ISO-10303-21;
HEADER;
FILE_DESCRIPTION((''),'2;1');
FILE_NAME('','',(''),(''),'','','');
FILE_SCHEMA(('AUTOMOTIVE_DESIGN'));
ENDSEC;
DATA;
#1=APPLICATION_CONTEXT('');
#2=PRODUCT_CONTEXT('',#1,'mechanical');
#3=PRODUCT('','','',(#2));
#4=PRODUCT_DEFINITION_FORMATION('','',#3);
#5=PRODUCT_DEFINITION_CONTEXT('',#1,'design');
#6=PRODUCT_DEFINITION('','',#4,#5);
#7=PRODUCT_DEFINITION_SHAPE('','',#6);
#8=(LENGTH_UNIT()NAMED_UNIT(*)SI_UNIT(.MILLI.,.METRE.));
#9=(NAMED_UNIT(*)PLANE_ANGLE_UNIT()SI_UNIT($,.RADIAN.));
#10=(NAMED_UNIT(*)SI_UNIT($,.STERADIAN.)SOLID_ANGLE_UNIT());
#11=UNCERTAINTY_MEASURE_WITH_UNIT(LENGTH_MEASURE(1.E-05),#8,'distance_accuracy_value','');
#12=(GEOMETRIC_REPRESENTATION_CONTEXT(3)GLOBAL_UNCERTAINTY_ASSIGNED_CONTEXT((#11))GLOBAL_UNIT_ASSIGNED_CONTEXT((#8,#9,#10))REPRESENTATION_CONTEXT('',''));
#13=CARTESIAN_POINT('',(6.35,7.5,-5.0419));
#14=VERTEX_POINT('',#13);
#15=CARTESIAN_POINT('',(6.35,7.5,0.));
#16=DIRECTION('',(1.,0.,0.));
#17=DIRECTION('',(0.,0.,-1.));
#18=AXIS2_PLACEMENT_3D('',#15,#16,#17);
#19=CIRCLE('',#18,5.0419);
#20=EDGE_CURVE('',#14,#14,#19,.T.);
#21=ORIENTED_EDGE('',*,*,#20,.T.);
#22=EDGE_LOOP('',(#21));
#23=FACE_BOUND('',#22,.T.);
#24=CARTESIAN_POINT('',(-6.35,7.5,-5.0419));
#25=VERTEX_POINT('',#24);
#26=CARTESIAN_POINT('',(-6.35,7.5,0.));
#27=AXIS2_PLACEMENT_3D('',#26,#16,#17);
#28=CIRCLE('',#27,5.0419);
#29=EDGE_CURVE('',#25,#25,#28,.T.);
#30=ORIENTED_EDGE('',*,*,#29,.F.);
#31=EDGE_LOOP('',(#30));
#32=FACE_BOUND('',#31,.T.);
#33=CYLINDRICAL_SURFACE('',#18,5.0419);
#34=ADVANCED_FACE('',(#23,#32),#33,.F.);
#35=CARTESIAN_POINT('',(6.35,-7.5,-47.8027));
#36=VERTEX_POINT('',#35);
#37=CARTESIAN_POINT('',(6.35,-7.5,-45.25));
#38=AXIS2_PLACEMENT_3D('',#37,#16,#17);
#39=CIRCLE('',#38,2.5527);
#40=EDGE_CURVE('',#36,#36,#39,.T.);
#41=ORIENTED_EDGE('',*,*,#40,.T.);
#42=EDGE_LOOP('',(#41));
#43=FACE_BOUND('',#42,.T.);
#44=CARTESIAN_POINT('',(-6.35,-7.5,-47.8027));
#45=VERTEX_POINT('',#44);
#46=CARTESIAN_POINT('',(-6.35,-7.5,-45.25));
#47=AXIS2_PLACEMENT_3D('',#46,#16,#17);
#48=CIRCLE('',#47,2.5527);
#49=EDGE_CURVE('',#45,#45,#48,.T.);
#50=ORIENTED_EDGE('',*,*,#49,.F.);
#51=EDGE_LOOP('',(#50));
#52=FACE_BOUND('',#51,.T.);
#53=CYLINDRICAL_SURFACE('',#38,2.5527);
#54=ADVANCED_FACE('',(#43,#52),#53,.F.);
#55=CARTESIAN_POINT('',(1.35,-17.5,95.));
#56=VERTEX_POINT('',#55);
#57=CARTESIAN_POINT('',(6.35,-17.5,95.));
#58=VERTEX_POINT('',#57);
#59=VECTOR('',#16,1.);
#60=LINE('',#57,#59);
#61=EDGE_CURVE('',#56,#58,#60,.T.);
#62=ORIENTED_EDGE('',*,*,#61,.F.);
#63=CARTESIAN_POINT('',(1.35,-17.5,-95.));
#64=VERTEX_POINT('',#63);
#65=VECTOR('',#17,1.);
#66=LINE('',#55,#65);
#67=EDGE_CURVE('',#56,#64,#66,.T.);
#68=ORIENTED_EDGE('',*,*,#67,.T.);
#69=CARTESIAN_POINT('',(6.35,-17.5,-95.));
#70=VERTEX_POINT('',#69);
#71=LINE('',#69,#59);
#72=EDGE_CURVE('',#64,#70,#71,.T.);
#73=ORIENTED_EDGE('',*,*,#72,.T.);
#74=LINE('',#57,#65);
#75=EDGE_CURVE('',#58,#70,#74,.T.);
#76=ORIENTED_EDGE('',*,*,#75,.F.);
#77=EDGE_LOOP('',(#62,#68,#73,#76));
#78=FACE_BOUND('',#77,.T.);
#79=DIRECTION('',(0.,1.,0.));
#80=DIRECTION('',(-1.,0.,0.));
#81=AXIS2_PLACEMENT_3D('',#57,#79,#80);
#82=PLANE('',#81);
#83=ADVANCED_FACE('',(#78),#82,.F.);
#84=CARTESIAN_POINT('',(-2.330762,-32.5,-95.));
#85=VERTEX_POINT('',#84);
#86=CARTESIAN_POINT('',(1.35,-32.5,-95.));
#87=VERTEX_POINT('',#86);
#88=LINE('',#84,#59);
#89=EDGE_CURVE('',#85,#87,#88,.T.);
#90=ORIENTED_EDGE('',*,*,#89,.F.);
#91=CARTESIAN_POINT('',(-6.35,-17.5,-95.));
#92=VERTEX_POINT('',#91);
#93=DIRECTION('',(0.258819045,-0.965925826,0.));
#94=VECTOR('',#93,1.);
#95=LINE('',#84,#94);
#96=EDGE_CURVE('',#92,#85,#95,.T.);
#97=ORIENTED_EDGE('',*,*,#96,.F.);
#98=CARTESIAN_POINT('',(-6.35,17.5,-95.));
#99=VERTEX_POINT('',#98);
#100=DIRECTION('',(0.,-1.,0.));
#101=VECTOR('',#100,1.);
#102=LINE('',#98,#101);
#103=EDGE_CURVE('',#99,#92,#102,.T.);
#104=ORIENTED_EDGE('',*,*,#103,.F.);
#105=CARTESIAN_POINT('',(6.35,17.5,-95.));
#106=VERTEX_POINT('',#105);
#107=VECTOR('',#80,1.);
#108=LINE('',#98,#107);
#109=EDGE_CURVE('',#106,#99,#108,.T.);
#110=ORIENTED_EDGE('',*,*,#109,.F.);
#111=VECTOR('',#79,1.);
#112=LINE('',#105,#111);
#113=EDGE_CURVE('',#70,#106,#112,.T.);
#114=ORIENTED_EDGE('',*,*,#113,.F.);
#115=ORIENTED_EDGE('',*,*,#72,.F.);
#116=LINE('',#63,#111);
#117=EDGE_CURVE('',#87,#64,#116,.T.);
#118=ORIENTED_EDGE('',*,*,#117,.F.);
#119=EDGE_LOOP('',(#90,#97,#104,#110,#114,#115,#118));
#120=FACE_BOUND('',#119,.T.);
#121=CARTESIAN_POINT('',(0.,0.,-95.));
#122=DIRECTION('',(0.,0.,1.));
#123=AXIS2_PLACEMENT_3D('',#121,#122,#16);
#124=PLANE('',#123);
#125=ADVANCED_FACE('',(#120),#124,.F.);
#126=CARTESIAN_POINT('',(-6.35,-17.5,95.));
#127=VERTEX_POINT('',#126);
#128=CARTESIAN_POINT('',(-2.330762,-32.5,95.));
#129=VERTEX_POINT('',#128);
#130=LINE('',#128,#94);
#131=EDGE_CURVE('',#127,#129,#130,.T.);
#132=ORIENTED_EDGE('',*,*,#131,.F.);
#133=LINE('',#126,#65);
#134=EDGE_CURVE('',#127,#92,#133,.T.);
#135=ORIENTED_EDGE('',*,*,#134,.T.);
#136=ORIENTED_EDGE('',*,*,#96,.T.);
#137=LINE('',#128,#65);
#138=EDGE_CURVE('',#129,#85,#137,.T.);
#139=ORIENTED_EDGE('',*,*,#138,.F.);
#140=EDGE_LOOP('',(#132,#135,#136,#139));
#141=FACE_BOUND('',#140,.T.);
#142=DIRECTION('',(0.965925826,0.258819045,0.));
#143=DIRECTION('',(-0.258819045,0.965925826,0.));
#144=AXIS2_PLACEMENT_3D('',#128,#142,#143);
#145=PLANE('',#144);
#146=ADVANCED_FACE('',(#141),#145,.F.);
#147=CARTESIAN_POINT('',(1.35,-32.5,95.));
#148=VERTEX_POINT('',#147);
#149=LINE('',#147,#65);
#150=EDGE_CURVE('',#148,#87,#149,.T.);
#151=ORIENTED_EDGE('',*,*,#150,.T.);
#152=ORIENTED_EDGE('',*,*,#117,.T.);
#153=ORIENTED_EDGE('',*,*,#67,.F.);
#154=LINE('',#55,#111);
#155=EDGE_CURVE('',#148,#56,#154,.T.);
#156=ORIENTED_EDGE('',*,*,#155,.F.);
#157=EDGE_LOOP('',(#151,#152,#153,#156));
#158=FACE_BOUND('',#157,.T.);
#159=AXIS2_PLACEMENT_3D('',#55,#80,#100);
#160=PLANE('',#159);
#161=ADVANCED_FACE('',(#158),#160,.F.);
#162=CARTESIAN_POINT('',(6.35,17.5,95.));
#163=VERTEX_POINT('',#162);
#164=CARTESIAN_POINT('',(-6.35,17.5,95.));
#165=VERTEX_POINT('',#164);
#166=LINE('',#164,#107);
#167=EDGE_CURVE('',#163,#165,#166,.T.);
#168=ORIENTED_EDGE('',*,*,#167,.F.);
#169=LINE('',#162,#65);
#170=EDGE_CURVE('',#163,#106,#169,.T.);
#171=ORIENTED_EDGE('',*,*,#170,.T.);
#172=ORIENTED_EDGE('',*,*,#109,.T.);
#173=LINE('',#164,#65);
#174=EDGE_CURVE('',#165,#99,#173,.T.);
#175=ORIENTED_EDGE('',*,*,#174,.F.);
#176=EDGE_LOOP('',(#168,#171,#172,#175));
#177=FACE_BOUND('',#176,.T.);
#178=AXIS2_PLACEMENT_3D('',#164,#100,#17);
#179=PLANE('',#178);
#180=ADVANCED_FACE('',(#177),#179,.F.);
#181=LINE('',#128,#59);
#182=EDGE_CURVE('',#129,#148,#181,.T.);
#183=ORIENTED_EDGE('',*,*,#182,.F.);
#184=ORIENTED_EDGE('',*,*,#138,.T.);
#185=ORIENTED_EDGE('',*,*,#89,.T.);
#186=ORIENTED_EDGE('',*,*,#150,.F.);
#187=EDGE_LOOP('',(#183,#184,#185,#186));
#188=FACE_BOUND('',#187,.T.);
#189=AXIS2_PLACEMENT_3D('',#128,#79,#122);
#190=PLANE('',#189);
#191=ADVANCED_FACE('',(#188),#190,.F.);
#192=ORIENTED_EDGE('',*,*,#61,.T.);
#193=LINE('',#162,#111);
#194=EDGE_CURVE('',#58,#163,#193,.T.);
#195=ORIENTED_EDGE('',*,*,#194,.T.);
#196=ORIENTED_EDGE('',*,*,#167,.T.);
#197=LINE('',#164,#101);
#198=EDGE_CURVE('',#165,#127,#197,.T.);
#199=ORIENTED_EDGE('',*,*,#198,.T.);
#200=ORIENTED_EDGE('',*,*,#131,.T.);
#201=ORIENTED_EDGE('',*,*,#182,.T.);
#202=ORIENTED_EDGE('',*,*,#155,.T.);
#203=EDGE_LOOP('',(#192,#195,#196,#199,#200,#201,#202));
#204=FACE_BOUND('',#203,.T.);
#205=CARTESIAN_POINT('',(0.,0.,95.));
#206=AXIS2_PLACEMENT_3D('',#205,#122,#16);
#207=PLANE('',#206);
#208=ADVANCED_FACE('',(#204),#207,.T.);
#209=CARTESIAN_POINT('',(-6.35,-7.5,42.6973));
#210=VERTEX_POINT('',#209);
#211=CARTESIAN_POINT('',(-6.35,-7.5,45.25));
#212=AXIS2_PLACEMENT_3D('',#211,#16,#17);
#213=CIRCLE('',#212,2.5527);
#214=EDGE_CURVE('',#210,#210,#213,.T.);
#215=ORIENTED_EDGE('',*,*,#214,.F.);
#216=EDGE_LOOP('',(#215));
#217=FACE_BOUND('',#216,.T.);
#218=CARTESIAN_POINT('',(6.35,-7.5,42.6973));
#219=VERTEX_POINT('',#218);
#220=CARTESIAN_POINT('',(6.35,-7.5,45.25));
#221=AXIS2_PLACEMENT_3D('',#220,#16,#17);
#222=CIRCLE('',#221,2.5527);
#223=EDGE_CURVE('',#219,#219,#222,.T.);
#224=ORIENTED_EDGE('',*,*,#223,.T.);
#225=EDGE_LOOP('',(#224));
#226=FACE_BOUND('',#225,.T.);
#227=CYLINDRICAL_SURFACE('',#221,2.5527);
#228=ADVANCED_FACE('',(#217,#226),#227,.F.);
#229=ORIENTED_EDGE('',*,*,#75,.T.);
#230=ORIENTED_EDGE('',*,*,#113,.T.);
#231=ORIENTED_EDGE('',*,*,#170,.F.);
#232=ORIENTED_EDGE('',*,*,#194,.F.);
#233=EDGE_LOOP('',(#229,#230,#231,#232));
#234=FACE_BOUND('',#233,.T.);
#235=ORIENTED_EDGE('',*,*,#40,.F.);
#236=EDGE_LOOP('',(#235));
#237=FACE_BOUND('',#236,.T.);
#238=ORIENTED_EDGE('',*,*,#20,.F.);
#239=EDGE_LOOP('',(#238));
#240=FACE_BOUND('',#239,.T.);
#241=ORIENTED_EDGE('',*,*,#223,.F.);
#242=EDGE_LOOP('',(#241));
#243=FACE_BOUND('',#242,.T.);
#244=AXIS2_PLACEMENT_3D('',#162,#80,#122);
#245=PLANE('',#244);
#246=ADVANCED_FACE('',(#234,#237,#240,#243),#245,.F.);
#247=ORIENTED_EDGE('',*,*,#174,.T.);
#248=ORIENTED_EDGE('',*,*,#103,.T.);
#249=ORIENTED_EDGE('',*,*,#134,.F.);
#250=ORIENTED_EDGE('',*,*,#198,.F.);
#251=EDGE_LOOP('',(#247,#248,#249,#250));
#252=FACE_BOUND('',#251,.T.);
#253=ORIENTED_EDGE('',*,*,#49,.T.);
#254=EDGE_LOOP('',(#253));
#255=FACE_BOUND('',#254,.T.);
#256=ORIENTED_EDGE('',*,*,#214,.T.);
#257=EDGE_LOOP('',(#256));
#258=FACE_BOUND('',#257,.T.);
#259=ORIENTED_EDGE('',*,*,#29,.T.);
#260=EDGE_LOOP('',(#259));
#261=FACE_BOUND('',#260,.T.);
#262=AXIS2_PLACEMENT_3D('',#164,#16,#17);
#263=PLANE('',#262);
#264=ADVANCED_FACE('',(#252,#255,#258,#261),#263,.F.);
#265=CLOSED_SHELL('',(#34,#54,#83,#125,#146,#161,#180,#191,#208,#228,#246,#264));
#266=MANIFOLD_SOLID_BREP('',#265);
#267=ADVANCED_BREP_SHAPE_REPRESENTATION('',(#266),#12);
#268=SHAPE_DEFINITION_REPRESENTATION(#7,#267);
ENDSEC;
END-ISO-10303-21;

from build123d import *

# Parameters (mm, degrees)
SALIENTE_EXTRUIR1_DEPTH       = 95
TALADRO_ROSCADO_1_4_201_D     = 5.1054
TALADRO_DE_MARGEN_PARA_3_81_D = 10.0838


with BuildPart() as part:
    # Croquis1 → Saliente-Extruir1 (new, symmetric)
    with BuildSketch(Plane.XY):
        Polygon((6.35, -17.5), (1.35, -17.5), (1.35, -32.5), (-2.330762114, -32.5), (-6.35, -17.5), (-6.35, 17.5), (6.35, 17.5), align=None)
    extrude(amount=SALIENTE_EXTRUIR1_DEPTH, both=True)

    # Taladro roscado 1/4-201 (through all)
    with Locations(Plane(origin=(6.35, 0, 0), x_dir=(0, 0, -1), z_dir=(1, 0, 0))):
        with Locations((45.25, -7.5), (-45.25, -7.5)):
            Hole(TALADRO_ROSCADO_1_4_201_D / 2)

    # Taladro de margen para 3/81 (through all)
    with Locations(Plane(origin=(6.35, 0, 0), x_dir=(0, 0, -1), z_dir=(1, 0, 0))):
        with Locations((0, 7.5)):
            Hole(TALADRO_DE_MARGEN_PARA_3_81_D / 2)


solid = part.part
